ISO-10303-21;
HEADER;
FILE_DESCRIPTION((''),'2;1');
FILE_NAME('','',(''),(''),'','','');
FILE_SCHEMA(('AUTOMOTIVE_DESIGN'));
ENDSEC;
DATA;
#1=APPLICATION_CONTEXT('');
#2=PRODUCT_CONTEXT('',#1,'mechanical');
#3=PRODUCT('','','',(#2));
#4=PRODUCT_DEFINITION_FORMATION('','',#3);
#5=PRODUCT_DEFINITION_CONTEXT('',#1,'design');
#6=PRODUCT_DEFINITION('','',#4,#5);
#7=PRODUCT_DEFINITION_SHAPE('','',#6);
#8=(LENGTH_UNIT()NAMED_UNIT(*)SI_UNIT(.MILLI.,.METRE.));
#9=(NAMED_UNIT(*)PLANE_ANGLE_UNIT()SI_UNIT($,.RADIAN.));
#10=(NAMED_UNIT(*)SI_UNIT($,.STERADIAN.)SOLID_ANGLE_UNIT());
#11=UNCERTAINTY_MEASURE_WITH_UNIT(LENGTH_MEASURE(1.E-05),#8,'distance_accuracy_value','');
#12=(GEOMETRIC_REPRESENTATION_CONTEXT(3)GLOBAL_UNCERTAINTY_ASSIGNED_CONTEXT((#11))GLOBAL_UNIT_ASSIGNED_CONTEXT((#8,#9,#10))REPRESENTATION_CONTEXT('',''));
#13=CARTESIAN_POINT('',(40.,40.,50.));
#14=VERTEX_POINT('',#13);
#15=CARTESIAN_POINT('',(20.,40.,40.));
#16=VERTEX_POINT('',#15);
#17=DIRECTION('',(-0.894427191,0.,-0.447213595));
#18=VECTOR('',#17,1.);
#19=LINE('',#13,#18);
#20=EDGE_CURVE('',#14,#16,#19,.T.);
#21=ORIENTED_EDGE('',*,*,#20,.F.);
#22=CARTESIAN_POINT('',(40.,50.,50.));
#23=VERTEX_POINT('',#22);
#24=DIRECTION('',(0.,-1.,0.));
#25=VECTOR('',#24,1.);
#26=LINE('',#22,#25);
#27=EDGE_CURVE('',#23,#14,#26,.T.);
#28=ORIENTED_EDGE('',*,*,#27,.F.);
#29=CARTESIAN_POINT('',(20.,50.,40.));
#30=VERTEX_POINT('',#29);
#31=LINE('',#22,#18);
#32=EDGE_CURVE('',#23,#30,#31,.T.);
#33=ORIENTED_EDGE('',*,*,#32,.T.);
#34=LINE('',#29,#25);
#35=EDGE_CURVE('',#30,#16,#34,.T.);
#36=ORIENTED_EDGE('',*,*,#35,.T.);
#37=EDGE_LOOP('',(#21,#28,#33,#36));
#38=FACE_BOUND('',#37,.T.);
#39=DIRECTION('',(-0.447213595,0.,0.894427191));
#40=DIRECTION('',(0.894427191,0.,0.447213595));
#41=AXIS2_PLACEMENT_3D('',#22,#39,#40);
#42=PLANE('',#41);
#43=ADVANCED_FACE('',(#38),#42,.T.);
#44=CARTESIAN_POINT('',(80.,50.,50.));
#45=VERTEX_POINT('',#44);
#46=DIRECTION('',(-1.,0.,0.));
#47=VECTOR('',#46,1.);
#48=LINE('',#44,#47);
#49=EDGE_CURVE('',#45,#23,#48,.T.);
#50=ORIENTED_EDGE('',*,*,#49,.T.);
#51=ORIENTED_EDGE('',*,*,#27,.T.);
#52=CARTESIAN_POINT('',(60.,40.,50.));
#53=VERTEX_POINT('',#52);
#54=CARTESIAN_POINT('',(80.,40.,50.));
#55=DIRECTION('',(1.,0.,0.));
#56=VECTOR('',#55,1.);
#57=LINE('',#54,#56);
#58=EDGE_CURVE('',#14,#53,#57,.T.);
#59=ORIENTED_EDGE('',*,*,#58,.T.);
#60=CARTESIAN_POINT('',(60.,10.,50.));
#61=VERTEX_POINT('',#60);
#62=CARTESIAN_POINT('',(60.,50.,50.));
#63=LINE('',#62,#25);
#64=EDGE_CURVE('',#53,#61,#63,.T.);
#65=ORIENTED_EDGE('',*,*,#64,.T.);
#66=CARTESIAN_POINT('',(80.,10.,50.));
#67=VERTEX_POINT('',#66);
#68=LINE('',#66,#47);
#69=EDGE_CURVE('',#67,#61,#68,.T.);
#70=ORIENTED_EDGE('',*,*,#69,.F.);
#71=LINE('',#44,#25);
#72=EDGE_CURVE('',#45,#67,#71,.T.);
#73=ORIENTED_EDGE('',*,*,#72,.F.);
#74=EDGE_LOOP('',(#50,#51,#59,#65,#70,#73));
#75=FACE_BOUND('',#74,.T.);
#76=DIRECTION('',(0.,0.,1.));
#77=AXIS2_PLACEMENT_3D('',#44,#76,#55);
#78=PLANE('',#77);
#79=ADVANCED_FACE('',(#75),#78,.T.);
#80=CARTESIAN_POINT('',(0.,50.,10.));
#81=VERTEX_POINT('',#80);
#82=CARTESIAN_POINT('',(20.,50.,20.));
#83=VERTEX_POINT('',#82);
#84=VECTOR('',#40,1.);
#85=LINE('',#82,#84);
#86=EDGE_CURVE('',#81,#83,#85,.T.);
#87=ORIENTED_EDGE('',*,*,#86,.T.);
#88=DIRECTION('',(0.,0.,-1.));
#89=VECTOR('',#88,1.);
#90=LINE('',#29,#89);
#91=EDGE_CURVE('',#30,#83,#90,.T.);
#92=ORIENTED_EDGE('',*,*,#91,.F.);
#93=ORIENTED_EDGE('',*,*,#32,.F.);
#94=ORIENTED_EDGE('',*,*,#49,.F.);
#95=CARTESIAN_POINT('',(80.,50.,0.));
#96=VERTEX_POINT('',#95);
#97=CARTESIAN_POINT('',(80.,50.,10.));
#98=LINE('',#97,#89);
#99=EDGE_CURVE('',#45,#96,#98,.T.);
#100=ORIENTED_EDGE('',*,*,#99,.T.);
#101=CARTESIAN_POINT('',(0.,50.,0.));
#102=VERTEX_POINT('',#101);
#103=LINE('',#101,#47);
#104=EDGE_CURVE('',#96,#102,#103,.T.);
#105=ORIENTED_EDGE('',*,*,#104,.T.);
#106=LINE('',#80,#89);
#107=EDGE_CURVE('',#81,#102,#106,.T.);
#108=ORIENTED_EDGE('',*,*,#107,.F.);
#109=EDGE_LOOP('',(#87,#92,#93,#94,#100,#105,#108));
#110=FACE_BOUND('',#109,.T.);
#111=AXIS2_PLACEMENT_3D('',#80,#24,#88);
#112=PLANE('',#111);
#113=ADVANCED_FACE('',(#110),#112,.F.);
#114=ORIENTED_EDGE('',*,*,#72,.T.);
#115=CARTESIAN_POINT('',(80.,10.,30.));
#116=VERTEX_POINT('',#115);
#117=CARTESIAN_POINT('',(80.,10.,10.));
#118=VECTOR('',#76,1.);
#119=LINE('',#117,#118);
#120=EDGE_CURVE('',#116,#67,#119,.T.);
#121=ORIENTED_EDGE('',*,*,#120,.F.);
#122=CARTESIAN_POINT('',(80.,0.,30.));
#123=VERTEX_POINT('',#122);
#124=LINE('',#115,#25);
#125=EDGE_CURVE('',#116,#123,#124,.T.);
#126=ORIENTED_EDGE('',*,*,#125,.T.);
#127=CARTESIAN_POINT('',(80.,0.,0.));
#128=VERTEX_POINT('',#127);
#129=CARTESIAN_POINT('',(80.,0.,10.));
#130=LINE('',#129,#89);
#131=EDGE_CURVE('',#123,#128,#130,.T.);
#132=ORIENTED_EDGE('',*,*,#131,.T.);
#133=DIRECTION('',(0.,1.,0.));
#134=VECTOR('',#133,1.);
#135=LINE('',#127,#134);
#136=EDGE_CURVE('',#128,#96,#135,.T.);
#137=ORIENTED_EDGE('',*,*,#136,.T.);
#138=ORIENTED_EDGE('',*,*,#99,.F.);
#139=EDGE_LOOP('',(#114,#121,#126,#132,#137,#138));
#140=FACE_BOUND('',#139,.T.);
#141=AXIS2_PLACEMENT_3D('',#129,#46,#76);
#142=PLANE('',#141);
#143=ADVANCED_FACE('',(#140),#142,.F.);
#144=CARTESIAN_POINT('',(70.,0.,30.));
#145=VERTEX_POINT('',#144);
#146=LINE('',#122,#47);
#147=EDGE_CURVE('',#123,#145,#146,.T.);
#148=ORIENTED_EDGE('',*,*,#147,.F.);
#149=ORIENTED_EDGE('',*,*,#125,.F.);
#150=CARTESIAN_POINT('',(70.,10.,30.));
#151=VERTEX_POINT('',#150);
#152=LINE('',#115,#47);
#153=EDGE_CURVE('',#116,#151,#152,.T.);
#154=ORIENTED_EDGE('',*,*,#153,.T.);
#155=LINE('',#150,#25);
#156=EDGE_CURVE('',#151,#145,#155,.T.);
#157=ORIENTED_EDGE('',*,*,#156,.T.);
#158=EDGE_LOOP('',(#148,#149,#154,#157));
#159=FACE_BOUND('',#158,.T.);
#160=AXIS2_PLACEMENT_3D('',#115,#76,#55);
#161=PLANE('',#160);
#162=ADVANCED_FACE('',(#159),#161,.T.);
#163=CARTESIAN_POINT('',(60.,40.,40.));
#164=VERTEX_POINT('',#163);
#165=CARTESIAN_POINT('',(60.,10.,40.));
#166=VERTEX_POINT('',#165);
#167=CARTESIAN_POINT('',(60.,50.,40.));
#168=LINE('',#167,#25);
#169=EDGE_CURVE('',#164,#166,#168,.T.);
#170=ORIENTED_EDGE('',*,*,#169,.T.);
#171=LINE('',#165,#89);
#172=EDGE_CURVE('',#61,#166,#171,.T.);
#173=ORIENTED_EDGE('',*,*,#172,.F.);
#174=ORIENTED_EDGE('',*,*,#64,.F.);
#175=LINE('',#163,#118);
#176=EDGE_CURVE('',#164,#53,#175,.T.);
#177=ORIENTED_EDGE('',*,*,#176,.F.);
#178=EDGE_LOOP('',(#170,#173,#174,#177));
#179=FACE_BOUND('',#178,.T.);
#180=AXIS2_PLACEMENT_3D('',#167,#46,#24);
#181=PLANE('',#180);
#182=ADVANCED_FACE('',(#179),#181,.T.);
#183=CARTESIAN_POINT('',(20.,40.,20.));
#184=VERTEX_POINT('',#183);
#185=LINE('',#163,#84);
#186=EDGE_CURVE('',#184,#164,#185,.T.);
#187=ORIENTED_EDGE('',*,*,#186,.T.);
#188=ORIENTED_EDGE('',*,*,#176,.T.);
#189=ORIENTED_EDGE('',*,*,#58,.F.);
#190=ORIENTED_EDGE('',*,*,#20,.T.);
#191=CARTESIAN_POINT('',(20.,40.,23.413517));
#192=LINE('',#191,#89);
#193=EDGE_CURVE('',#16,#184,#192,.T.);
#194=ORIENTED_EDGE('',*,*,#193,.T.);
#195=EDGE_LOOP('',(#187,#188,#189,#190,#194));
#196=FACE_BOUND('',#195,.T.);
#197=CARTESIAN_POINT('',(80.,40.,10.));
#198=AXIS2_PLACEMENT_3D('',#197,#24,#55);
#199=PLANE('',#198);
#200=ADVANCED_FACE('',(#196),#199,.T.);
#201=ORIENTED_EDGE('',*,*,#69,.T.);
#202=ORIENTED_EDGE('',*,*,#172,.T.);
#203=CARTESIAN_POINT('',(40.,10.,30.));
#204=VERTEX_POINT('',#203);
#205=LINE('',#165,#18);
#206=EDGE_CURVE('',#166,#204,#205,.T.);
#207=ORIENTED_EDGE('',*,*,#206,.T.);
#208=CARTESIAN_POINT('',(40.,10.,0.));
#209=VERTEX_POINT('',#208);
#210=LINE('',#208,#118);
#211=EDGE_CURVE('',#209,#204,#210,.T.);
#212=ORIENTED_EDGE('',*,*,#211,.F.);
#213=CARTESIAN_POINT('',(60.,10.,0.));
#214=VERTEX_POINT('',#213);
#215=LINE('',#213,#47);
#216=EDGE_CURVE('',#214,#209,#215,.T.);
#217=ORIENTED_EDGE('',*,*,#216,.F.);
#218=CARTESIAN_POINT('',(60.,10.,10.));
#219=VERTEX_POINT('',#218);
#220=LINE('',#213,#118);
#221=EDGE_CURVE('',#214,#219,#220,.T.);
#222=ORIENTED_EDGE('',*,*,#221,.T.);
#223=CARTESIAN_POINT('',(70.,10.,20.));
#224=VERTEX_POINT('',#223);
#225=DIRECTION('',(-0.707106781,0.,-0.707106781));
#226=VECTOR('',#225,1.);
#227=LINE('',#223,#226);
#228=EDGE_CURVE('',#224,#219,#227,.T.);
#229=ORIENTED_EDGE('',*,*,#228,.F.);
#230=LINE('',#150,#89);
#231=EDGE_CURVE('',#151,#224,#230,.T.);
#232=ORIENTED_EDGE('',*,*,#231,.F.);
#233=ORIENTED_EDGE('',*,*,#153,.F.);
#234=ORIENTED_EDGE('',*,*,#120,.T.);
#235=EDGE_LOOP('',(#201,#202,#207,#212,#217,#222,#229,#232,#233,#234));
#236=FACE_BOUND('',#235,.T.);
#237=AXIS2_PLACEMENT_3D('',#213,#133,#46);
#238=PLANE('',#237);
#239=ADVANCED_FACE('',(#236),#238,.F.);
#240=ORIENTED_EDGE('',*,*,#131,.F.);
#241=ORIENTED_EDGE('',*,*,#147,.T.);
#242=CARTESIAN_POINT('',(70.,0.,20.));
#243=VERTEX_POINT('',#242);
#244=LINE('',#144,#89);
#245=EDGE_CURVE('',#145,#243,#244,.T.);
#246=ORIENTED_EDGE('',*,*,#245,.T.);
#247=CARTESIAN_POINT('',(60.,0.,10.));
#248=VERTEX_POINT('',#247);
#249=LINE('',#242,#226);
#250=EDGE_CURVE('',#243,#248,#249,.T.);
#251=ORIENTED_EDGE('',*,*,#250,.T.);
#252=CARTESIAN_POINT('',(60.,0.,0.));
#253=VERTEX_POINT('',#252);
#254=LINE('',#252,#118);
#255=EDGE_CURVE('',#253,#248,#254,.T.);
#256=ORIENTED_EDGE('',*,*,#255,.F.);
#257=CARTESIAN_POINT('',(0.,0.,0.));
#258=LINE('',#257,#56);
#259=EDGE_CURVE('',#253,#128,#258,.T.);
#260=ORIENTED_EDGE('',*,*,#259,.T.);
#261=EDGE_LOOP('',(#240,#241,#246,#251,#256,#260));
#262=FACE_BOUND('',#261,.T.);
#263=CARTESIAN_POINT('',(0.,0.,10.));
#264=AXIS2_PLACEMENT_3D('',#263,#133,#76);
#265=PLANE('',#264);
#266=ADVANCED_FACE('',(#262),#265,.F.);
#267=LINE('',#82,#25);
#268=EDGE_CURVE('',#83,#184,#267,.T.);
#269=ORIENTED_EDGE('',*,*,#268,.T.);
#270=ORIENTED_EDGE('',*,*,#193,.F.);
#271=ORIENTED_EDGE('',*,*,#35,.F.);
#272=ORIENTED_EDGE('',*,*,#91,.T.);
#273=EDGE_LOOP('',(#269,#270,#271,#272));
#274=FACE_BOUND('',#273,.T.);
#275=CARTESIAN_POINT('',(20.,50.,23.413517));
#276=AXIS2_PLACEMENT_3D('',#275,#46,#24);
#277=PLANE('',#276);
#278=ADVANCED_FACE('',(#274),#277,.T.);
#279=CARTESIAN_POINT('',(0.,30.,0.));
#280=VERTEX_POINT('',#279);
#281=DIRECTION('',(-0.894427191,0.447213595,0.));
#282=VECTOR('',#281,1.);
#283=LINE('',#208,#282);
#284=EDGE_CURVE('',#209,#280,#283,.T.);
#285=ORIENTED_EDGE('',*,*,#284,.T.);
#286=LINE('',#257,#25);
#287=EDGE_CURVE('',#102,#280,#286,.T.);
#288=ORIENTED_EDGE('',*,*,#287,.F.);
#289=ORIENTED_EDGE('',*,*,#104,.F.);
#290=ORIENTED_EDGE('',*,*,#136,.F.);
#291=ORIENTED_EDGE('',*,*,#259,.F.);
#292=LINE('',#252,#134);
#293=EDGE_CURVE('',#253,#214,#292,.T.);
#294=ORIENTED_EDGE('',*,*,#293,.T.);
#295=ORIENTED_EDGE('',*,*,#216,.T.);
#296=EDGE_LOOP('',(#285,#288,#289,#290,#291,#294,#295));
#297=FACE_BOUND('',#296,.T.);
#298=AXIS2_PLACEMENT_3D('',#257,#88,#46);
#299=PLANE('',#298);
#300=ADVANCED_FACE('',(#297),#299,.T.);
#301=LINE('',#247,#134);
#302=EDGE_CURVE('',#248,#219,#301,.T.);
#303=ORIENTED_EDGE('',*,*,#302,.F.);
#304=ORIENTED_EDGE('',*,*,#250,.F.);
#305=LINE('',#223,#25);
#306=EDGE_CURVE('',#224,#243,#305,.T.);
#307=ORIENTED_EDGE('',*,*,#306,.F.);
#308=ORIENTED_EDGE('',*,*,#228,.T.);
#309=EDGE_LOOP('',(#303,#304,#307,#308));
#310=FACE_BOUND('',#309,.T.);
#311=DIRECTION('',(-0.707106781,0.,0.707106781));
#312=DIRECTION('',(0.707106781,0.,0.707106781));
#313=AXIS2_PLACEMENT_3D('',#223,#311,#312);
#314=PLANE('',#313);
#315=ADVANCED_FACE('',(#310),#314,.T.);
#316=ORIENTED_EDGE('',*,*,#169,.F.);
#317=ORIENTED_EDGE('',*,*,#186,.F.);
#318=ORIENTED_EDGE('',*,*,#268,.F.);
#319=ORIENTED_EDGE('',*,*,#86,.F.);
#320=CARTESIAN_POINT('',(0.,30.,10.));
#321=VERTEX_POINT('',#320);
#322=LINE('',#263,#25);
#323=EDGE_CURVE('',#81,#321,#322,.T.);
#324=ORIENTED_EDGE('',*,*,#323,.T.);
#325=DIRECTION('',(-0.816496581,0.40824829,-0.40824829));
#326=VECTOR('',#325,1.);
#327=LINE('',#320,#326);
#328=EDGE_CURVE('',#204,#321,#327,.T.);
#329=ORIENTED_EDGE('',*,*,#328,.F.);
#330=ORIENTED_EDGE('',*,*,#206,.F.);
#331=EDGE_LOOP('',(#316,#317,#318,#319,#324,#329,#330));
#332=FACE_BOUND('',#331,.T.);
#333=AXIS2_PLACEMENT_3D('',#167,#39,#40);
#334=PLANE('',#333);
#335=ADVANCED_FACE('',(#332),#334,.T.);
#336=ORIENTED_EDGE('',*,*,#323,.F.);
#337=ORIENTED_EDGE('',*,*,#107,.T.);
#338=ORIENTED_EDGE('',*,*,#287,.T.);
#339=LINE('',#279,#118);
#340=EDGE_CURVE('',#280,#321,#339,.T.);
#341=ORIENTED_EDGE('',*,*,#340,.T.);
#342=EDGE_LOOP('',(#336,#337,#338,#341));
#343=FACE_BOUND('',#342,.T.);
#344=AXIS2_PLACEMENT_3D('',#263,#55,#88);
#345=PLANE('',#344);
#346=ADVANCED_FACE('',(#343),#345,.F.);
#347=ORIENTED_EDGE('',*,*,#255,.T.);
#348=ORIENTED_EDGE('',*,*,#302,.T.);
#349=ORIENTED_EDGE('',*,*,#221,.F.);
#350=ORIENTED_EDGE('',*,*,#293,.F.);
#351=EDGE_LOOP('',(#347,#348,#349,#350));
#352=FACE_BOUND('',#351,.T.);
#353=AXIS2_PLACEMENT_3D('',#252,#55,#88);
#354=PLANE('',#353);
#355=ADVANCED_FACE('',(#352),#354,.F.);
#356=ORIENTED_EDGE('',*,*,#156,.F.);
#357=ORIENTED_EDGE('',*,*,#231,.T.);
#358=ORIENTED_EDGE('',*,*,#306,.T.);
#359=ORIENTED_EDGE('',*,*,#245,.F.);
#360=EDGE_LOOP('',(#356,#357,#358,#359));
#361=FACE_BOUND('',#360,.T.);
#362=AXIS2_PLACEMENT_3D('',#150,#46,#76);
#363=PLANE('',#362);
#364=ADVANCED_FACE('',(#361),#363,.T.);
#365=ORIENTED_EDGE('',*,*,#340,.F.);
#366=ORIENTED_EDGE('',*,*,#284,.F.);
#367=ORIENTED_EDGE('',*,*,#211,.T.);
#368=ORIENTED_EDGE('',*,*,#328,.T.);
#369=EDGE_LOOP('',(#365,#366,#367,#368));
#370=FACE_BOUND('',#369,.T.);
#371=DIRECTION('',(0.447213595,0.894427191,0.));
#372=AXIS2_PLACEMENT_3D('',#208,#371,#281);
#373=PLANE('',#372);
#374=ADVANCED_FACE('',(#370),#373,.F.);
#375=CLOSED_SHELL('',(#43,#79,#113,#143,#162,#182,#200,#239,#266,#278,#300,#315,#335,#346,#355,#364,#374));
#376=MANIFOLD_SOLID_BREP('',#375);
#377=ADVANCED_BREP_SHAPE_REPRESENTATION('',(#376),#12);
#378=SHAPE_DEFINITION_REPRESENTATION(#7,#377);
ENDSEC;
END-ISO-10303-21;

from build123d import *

# Parameters (mm, degrees)
SKETCH1_W            = 80
SKETCH1_H            = 50
BOSS_EXTRUDE1_DEPTH  = 10
SKETCH2_W            = 60
SKETCH2_H            = 10
CUT_EXTRUDE1_DEPTH   = 10
CUT_EXTRUDE2_DEPTH   = 10
BOSS_EXTRUDE2_DEPTH  = 10
BOSS_EXTRUDE4_DEPTH  = 40
SKETCH7_W            = 20
SKETCH7_H            = 10
BOSS_EXTRUDE5_DEPTH  = 40
SKETCH8_W            = 40
SKETCH8_H            = 10
BOSS_EXTRUDE6_DEPTH  = 40
BOSS_EXTRUDE7_DEPTH  = 10
BOSS_EXTRUDE8_DEPTH  = 30
BOSS_EXTRUDE9_DEPTH  = 30
BOSS_EXTRUDE11_DEPTH = 20
SKETCH14_W           = 80
SKETCH14_H           = 57.926255319
CUT_EXTRUDE3_DEPTH   = 20
BOSS_EXTRUDE12_DEPTH = 10


with BuildPart() as part:
    # Sketch1 → Boss-Extrude1 (new body)
    with BuildSketch(Plane.XY):
        with Locations((40, 25)):
            Rectangle(SKETCH1_W, SKETCH1_H)
    extrude(amount=BOSS_EXTRUDE1_DEPTH)

    # Sketch2 → Cut-Extrude1 (cut)
    with BuildSketch(Plane.XY.offset(10)):
        with Locations((30, 5)):
            Rectangle(SKETCH2_W, SKETCH2_H)
    extrude(amount=-CUT_EXTRUDE1_DEPTH, mode=Mode.SUBTRACT)

    # Sketch3 → Cut-Extrude2 (cut)
    with BuildSketch(Plane.XY.offset(10)):
        Polygon((40, 10), (0, 30), (0, 10), align=None)
    extrude(amount=-CUT_EXTRUDE2_DEPTH, mode=Mode.SUBTRACT)

    # Sketch4 → Boss-Extrude2 (add)
    with BuildSketch(Plane.XZ):
        Polygon((80, 0), (80, 30), (70, 30), (70, 20), (60, 10), (60, 0), align=None)
    extrude(amount=-BOSS_EXTRUDE2_DEPTH)

    # Sketch6 → Boss-Extrude4 (add)
    with BuildSketch(Plane.XZ.offset(-10)):
        Polygon((40, 10), (80, 10), (80, 40), (60, 40), (40, 30), align=None)
    extrude(amount=-BOSS_EXTRUDE4_DEPTH)

    # Sketch7 → Boss-Extrude5 (add)
    with BuildSketch(Plane.XZ.offset(-10)):
        with Locations((70, 45)):
            Rectangle(SKETCH7_W, SKETCH7_H)
    extrude(amount=-BOSS_EXTRUDE5_DEPTH)

    # Sketch8 → Boss-Extrude6 (add)
    with BuildSketch(Plane.XY.offset(50)):
        with Locations((60, 45)):
            Rectangle(SKETCH8_W, SKETCH8_H)
    extrude(amount=-BOSS_EXTRUDE6_DEPTH)

    # Sketch9 → Boss-Extrude7 (add)
    with BuildSketch(Plane(origin=(0, 40, 0), x_dir=(-1, 0, 0), z_dir=(0, -1, 0))):
        Polygon((-40, -50), (-20, -40), (-20, -23.413516985), (-20, -3.413516985), (-40, -3.413516985), align=None)
    extrude(amount=-BOSS_EXTRUDE7_DEPTH)

    # Sketch10 → Boss-Extrude8 (add)
    with BuildSketch(Plane(origin=(-4, 0, 8), x_dir=(-0.894427191, 0, -0.447213595), z_dir=(0.447213595, 0, -0.894427191))):
        Polygon((-71.55417528, 40), (-71.55417528, 10), (-4.472135955, 30), (-4.472135955, 50), (-49.193495505, 40), align=None)
    extrude(amount=BOSS_EXTRUDE8_DEPTH)

    # Sketch11 → Boss-Extrude9 (add)
    with BuildSketch(Plane(origin=(-4, 0, 8), x_dir=(-0.894427191, 0, -0.447213595), z_dir=(0.447213595, 0, -0.894427191))):
        Polygon((-49.193495505, 10), (-49.193495505, 16.666666667), (-4.472135955, 30), align=None)
    extrude(amount=BOSS_EXTRUDE9_DEPTH)

    # Sketch13 → Boss-Extrude11 (add)
    with BuildSketch(Plane(origin=(12, 24, 0), x_dir=(-0.894427191, 0.447213595, 0), z_dir=(-0.447213595, -0.894427191, 0))):
        Polygon((-31.304951685, -10), (-31.304951685, -30), (13.416407865, -10), align=None)
    extrude(amount=-BOSS_EXTRUDE11_DEPTH)

    # Sketch14 → Cut-Extrude3 (cut)
    with BuildSketch(Plane(origin=(0, 0, 0), x_dir=(-1, 0, 0), z_dir=(0, 0, -1))):
        with Locations((-40, 21.036872341)):
            Rectangle(SKETCH14_W, SKETCH14_H)
    extrude(amount=CUT_EXTRUDE3_DEPTH, mode=Mode.SUBTRACT)

    # Sketch15 → Boss-Extrude12 (add)
    with BuildSketch(Plane(origin=(-4, 0, 8), x_dir=(-0.894427191, 0, -0.447213595), z_dir=(0.447213595, 0, -0.894427191))):
        Polygon((-4.472135955, 50), (-26.83281573, 40), (-26.83281573, 50), align=None)
    extrude(amount=BOSS_EXTRUDE12_DEPTH)


solid = part.part
